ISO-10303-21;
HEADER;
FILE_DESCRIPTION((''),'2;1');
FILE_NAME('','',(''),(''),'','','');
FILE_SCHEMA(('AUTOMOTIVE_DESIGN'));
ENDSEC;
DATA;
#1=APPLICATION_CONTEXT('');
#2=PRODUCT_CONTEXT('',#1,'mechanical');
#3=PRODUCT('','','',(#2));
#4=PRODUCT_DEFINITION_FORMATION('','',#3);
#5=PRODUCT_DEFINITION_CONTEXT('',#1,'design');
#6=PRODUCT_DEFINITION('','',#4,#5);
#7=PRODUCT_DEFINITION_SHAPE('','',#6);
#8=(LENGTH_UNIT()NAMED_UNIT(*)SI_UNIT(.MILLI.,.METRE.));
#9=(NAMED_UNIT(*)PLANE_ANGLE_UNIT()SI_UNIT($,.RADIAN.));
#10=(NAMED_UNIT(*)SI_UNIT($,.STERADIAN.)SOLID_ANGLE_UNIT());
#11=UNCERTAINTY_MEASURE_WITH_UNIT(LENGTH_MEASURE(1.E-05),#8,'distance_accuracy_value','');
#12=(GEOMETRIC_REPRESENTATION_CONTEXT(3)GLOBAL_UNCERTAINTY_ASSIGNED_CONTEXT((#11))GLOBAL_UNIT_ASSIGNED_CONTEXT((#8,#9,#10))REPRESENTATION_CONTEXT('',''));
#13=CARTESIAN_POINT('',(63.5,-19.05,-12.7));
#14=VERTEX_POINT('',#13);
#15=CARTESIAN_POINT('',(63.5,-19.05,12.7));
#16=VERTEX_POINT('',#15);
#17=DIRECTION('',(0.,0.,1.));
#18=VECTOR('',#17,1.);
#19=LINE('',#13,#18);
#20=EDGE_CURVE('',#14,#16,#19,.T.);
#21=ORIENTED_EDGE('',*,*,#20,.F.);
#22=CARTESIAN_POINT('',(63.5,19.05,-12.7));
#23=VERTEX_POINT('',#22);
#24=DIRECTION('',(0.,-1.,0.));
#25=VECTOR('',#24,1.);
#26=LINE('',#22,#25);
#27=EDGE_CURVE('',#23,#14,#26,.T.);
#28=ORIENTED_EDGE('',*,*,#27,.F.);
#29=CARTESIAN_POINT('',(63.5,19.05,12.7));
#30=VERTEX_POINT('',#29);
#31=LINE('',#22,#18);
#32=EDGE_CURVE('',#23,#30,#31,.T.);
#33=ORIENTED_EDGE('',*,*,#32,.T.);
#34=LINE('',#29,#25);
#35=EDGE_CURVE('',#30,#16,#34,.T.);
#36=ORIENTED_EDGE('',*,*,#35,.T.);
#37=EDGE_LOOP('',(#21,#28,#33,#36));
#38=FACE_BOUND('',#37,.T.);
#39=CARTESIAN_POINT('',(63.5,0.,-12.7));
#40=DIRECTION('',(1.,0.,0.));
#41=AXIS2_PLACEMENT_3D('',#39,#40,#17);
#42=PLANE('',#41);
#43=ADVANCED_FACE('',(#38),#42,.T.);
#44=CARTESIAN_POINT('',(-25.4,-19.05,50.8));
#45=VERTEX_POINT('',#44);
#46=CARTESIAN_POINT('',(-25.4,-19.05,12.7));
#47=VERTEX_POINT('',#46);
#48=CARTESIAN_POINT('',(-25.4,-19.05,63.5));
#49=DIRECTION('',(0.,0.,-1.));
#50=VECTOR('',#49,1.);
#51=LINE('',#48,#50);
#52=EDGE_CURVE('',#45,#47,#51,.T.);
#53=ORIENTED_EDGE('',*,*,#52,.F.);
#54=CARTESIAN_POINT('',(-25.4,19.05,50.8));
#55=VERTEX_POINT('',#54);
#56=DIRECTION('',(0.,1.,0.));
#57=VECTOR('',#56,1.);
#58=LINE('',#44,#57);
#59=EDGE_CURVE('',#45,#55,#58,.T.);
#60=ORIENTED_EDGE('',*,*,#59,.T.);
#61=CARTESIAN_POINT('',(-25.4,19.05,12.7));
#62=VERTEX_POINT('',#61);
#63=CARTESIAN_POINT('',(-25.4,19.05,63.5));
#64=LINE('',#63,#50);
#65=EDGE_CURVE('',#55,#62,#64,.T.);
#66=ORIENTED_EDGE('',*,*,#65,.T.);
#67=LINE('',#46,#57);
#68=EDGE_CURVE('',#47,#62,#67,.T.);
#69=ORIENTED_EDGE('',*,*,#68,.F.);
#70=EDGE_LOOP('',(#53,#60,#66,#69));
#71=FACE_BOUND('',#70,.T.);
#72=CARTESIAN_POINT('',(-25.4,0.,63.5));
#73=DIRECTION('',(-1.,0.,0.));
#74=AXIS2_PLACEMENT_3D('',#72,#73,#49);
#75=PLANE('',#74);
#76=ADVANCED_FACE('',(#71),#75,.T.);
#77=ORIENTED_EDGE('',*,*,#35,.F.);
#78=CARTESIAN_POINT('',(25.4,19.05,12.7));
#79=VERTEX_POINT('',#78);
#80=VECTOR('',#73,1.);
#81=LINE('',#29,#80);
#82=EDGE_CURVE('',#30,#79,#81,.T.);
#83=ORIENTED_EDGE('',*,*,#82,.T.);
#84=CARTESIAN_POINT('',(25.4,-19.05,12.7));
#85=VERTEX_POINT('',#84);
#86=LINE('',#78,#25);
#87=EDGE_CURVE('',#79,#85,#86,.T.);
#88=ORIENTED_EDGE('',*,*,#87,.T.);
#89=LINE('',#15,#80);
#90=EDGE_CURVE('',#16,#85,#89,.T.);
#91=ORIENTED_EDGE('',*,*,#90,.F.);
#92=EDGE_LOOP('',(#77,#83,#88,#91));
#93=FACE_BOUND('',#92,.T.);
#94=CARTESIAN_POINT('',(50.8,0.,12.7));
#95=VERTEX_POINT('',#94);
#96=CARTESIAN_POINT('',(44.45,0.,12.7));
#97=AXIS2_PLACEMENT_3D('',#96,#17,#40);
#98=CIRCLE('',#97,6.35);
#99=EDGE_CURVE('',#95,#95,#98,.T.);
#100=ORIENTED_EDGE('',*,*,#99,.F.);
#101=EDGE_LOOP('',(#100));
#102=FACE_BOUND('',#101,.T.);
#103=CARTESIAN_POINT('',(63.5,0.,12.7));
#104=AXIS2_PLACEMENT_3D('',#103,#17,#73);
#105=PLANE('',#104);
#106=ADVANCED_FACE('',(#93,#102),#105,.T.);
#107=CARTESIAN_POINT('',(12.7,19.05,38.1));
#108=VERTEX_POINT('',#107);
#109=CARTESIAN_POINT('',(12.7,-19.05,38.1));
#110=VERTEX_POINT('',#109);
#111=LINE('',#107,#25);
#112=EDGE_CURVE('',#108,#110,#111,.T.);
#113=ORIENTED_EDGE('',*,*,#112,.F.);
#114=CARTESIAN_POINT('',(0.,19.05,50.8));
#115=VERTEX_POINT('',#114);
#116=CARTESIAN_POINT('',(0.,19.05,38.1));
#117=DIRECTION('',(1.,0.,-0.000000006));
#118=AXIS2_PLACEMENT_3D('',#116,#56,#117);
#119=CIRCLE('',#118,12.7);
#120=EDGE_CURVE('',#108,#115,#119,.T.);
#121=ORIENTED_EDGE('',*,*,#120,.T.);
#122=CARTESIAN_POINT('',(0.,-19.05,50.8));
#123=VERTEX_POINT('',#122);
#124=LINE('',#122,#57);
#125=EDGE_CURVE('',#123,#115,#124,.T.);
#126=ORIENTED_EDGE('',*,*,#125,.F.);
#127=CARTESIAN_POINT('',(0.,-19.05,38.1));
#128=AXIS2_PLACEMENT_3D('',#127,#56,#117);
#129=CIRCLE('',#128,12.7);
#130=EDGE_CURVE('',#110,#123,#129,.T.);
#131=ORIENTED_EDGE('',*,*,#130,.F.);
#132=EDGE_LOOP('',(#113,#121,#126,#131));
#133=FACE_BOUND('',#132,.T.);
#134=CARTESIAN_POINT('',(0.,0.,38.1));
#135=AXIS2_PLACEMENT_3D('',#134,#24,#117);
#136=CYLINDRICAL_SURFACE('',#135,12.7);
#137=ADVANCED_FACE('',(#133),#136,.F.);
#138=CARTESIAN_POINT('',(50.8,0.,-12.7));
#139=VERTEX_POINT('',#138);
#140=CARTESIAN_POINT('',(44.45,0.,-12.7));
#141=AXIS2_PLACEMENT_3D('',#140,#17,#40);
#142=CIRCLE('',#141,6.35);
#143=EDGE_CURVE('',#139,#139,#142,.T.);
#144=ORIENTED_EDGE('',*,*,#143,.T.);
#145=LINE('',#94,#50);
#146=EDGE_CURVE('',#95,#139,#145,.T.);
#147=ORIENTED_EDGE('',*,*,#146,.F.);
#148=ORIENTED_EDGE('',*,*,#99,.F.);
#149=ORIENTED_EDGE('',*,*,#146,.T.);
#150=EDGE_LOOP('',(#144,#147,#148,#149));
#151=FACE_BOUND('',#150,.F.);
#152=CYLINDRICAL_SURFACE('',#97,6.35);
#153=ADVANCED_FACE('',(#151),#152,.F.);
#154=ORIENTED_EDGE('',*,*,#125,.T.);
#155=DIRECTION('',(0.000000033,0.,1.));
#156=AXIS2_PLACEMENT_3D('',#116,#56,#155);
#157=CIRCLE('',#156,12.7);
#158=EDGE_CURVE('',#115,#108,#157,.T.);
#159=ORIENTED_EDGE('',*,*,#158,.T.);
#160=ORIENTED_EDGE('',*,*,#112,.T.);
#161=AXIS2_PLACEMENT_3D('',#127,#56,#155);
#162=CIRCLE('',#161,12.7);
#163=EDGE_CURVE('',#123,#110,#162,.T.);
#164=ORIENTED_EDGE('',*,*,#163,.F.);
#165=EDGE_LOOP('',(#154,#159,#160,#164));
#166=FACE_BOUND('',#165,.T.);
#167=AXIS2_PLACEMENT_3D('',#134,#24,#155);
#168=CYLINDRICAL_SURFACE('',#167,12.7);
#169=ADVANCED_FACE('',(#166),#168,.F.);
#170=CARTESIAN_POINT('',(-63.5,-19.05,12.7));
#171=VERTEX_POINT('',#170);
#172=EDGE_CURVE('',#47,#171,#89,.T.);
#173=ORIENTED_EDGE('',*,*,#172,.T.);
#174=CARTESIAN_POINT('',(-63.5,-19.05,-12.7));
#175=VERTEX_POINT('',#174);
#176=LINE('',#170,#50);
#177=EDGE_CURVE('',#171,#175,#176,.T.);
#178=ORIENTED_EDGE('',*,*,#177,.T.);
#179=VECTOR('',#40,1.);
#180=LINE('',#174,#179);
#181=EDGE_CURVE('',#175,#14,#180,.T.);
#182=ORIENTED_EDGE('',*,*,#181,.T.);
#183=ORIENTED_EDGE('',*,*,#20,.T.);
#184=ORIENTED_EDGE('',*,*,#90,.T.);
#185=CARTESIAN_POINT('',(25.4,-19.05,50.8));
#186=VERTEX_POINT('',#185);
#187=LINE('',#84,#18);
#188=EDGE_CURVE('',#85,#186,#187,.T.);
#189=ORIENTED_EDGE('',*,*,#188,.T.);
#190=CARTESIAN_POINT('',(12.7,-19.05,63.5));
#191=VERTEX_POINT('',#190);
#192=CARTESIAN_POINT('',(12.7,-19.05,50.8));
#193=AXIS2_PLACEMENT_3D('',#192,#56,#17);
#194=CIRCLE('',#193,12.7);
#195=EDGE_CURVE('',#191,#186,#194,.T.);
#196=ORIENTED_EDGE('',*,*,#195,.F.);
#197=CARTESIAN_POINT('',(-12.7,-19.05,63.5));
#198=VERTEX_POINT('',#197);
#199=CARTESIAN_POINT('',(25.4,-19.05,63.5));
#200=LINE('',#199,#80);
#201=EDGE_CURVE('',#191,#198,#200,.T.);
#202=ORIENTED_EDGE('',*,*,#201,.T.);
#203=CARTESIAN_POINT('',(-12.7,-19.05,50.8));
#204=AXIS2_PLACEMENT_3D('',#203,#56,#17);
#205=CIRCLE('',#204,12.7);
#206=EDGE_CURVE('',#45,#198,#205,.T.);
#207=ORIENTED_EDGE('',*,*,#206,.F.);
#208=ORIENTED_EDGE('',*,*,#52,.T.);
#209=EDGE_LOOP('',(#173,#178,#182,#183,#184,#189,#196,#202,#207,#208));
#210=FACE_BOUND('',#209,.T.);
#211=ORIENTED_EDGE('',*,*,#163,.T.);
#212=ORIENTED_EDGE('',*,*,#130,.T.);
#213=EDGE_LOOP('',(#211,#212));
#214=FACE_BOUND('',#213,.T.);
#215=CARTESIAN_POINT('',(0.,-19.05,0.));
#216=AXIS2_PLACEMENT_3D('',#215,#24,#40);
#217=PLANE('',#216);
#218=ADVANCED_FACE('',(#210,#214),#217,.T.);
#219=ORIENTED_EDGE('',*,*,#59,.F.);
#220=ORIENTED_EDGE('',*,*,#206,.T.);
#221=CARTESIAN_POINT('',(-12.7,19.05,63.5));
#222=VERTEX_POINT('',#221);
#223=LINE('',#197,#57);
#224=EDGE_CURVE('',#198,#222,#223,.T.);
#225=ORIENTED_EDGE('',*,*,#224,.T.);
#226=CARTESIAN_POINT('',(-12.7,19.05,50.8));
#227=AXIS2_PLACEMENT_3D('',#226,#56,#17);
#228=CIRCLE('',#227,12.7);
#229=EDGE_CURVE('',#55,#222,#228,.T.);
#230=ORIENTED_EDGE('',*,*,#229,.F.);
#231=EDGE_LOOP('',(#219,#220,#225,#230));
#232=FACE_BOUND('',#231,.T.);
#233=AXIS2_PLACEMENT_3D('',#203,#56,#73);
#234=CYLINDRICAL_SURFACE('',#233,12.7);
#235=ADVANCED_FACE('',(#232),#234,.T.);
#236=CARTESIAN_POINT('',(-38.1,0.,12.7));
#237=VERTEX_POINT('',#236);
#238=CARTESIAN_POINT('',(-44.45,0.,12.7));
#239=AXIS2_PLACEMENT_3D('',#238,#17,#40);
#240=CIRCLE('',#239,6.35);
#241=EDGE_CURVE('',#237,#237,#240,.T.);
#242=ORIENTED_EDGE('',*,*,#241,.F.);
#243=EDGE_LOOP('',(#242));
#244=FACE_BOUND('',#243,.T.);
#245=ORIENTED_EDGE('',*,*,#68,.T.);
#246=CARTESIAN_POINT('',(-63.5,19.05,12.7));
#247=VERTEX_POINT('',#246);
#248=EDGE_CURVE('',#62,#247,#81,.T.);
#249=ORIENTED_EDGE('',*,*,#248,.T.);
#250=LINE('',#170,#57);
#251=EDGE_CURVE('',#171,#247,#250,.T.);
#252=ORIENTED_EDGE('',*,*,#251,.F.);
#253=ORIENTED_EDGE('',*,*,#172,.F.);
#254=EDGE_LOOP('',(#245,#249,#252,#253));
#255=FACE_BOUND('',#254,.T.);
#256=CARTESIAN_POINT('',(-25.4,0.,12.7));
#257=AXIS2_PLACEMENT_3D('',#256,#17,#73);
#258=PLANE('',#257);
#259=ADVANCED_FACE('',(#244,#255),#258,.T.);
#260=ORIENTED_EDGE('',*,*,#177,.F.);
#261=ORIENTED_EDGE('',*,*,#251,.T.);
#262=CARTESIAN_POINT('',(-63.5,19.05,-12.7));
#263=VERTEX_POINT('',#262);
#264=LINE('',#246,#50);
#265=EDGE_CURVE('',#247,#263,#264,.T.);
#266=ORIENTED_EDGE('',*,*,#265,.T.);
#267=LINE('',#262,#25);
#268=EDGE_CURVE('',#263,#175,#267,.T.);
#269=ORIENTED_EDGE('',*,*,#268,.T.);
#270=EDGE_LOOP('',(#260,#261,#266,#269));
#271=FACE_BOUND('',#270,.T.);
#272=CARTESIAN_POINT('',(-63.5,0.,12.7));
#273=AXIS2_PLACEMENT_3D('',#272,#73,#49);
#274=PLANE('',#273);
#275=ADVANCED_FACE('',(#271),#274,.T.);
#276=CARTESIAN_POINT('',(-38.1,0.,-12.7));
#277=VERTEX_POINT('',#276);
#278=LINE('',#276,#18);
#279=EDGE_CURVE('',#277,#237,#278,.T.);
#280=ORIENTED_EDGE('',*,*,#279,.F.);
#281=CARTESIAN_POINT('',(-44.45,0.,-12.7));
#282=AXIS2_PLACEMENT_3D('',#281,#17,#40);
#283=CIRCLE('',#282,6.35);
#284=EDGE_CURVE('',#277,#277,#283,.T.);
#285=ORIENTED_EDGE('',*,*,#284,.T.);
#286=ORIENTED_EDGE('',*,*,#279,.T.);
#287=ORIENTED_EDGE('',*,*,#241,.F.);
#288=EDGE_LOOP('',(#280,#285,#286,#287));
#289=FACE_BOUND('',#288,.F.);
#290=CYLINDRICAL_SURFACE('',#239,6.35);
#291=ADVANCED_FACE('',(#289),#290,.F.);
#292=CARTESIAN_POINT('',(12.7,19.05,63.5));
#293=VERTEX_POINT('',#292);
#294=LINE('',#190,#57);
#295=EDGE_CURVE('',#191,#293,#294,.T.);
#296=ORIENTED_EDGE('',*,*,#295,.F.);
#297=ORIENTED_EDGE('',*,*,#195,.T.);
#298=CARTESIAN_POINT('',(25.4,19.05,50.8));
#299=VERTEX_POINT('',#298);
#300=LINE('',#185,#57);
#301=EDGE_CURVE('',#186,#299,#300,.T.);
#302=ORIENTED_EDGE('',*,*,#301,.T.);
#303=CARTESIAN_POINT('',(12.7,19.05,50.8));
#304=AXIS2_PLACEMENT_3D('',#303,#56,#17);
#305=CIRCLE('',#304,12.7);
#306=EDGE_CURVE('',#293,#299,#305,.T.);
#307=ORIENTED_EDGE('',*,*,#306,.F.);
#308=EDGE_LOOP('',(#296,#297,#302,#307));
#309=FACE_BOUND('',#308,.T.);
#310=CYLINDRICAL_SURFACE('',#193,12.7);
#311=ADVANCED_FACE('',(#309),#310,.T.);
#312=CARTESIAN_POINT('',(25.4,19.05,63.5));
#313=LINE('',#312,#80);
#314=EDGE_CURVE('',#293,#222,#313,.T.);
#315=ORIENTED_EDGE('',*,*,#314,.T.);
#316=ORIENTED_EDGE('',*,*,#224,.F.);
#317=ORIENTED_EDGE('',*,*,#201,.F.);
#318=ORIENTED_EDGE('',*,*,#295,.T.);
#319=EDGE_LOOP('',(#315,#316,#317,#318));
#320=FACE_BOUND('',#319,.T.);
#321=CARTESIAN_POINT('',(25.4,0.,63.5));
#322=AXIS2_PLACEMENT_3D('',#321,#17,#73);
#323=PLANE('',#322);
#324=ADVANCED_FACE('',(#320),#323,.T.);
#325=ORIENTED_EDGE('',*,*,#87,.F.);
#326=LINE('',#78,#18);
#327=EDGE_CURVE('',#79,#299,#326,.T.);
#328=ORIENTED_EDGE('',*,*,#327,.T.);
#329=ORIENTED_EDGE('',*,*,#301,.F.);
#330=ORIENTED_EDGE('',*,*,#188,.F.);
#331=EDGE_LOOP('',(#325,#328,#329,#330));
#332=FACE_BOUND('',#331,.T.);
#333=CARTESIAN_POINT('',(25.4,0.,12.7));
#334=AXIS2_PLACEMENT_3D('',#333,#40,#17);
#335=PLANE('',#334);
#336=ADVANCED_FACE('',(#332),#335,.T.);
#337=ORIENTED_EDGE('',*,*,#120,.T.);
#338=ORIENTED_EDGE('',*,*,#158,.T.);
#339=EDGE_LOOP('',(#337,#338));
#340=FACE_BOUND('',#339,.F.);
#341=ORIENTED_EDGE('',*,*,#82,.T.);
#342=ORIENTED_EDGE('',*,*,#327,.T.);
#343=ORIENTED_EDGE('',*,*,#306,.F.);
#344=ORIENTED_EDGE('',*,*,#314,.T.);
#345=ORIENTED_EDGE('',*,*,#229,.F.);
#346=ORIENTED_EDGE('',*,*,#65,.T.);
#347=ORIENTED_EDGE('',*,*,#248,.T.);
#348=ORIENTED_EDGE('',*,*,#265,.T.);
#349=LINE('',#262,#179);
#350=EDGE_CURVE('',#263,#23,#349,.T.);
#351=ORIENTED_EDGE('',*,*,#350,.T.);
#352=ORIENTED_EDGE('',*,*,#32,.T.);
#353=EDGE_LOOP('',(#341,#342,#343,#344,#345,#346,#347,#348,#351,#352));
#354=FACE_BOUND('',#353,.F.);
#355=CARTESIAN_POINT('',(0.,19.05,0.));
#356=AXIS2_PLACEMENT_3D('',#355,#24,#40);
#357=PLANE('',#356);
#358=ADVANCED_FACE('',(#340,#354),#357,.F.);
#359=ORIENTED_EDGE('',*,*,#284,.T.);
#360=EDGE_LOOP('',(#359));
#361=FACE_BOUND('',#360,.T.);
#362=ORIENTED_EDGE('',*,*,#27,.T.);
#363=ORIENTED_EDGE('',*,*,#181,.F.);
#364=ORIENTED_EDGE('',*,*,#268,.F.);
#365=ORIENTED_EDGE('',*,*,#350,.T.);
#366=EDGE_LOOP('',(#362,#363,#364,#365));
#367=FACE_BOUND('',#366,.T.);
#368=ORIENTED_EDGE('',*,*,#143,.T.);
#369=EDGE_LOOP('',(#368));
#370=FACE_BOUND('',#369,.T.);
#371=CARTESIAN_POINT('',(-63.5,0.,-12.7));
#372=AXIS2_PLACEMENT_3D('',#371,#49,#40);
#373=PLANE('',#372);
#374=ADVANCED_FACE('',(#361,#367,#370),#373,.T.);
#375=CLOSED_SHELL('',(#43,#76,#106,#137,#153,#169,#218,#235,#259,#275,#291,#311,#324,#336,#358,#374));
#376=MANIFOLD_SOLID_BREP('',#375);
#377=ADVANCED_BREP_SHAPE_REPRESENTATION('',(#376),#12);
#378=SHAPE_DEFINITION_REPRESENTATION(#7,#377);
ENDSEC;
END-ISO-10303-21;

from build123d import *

# Parameters (mm, degrees)
F1_DEPTH = 19.05
F2_R     = 12.7
F4_DEPTH = 25.4


with BuildPart() as f1:
    # F0 (on Front) → F1 (new body, symmetric)
    with BuildSketch(Plane.XZ):
        Polygon((-25.4, 12.7), (-63.5, 12.7), (-63.5, -12.7), (63.5, -12.7), (63.5, 12.7), (25.4, 12.7), (0, 12.7), align=None)
        Polygon((-25.4, 63.5), (-25.4, 12.7), (0, 12.7), (25.4, 12.7), (25.4, 63.5), (0, 63.5), align=None)
        with BuildLine():
            ThreePointArc((12.7, 38.1), (-8.980256, 29.119744), (0, 50.8))
            ThreePointArc((0, 50.8), (8.980256, 47.080256), (12.7, 38.1))
        make_face(mode=Mode.SUBTRACT)
    extrude(amount=F1_DEPTH, both=True)

    # F2
    f2_edges = [f1.edges().sort_by_distance(p)[0] for p in [
        (-25.4, 0, 63.5),
        (25.4, 0, 63.5),
    ]]
    fillet(f2_edges, radius=F2_R)

    # F3 (on face) → F4 (cut, symmetric)
    with BuildSketch(Plane.XY.offset(12.7)):
        with BuildLine():
            ThreePointArc((38.1, 0), (44.45, -6.35), (50.8, 0))
            ThreePointArc((50.8, 0), (44.45, 6.35), (38.1, 0))
        make_face()
        with BuildLine():
            ThreePointArc((-50.8, 0), (-44.45, -6.35), (-38.1, 0))
            ThreePointArc((-38.1, 0), (-44.45, 6.35), (-50.8, 0))
        make_face()
    extrude(amount=F4_DEPTH, both=True, mode=Mode.SUBTRACT)


solid = f1.part
